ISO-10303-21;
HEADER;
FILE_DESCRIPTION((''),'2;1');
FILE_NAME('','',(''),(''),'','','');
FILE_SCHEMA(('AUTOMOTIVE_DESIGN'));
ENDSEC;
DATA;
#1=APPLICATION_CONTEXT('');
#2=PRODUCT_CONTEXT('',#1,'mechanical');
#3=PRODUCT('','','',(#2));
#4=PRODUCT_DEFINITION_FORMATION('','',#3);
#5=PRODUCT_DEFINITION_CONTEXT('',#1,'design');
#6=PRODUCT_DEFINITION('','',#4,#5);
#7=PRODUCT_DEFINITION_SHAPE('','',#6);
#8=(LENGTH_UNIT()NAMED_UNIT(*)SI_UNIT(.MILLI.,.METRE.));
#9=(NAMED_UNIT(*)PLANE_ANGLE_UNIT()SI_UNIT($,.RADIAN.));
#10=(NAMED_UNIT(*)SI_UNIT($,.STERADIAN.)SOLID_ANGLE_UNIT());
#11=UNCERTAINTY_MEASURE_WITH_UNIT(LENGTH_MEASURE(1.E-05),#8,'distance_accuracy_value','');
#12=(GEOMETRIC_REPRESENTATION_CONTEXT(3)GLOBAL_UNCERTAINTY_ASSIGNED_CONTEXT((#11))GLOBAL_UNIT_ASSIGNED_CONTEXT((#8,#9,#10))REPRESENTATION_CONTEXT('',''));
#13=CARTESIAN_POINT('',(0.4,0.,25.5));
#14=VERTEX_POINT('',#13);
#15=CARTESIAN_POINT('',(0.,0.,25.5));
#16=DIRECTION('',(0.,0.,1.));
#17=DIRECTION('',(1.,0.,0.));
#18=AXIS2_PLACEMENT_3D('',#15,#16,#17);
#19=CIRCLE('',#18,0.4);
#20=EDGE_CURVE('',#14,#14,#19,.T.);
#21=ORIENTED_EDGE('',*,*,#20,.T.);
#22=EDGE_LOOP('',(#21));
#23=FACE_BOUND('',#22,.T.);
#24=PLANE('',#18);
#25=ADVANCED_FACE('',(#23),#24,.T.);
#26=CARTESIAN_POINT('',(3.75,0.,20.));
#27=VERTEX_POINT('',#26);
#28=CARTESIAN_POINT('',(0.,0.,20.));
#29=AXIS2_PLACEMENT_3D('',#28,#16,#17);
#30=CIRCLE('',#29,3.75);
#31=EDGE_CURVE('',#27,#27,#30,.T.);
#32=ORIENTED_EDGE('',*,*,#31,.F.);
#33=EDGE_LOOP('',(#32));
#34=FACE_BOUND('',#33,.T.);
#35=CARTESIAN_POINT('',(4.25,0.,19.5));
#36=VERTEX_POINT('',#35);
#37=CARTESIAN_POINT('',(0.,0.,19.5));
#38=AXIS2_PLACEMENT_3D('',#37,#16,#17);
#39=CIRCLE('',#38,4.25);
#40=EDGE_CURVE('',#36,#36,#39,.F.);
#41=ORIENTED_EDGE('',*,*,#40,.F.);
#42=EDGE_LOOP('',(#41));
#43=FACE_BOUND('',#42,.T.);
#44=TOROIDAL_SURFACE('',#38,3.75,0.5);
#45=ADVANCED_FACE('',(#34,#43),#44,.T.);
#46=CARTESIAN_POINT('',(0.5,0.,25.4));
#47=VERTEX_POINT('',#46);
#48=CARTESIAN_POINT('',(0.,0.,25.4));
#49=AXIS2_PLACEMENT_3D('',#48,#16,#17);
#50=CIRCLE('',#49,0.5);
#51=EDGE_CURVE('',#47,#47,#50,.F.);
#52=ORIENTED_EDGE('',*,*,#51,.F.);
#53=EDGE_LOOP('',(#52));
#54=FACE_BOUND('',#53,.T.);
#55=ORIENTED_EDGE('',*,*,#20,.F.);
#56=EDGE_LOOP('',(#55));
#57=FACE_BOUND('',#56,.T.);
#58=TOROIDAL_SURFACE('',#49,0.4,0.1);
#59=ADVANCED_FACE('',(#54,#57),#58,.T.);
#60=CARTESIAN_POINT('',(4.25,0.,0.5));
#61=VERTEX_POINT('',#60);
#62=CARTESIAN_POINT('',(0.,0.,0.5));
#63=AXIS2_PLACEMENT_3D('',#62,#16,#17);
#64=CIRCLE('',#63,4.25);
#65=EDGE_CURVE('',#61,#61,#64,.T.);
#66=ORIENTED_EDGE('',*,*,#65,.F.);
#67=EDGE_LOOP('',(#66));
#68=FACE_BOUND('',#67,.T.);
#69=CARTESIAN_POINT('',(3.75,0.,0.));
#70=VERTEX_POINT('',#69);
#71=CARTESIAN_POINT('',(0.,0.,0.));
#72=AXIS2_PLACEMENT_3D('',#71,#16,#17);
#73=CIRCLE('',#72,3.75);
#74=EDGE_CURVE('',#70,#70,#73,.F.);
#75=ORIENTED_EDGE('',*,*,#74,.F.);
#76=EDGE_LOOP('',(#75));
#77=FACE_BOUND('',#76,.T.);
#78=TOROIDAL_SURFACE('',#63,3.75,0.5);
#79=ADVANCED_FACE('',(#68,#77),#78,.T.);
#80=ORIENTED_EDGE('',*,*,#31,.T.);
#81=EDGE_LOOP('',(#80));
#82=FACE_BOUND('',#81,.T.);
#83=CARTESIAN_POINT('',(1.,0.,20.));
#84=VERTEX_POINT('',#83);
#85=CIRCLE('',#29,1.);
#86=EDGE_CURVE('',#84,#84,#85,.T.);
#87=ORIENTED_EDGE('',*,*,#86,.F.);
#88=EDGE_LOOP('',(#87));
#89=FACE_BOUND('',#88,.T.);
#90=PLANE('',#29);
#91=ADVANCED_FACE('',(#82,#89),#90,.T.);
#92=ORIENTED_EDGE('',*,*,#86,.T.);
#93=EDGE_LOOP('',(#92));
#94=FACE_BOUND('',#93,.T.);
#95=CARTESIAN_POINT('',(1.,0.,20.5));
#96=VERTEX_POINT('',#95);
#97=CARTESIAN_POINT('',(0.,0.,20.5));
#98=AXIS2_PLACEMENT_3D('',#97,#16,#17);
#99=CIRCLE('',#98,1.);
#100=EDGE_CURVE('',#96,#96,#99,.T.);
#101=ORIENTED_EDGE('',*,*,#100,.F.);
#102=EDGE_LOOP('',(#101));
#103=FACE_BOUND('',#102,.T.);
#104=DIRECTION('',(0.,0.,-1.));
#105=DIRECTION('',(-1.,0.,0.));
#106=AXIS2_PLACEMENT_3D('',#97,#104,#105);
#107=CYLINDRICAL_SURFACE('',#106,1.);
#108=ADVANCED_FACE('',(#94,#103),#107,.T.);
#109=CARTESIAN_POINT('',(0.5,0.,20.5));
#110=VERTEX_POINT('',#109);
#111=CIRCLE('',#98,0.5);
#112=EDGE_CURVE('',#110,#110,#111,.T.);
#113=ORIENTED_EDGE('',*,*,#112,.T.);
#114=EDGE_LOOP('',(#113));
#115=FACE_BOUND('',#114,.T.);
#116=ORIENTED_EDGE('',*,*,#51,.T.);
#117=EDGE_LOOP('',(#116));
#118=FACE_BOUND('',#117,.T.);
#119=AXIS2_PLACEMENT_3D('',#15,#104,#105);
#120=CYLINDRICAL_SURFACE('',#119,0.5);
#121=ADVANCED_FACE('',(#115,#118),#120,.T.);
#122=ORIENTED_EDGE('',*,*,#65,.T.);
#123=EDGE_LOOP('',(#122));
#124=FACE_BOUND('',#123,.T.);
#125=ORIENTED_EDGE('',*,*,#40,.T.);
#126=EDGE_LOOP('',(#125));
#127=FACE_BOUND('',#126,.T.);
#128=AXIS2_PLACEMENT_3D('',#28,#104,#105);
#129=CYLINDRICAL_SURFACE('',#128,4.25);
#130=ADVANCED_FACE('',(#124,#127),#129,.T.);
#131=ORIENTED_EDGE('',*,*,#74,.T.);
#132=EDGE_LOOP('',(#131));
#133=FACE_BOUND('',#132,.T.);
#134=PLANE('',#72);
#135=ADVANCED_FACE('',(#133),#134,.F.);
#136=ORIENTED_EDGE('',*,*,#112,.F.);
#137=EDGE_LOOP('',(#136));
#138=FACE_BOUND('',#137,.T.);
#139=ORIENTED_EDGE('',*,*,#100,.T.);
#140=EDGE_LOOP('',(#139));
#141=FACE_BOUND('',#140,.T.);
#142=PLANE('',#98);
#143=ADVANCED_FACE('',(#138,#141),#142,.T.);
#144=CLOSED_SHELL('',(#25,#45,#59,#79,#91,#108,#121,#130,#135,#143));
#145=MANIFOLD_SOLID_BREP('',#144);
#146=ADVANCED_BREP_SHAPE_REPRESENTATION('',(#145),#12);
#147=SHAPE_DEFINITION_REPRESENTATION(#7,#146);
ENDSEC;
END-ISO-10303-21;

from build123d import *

# Parameters (mm, degrees)
SKETCH1_R           = 4.25
BOSS_EXTRUDE1_DEPTH = 20
SKETCH2_R           = 1
BOSS_EXTRUDE2_DEPTH = 0.5
SKETCH3_R           = 0.5
BOSS_EXTRUDE3_DEPTH = 5
FILLET2_R           = 0.5
FILLET3_R           = 0.1
FILLET4_R           = 0.5


with BuildPart() as part:
    # Sketch1 → Boss-Extrude1 (new body)
    with BuildSketch(Plane.XY):
        Circle(SKETCH1_R)
    extrude(amount=BOSS_EXTRUDE1_DEPTH)

    # Sketch2 → Boss-Extrude2 (add)
    with BuildSketch(Plane.XY.offset(20)):
        Circle(SKETCH2_R)
    extrude(amount=BOSS_EXTRUDE2_DEPTH)

    # Sketch3 → Boss-Extrude3 (add)
    with BuildSketch(Plane.XY.offset(20.5)):
        Circle(SKETCH3_R)
    extrude(amount=BOSS_EXTRUDE3_DEPTH)

    # Fillet2
    fillet2_edges = [part.edges().sort_by_distance(p)[0] for p in [
        (-4.25, 0, 20),
    ]]
    fillet(fillet2_edges, radius=FILLET2_R)

    # Fillet3
    fillet3_edges = [part.edges().sort_by_distance(p)[0] for p in [
        (-0.5, 0, 25.5),
    ]]
    fillet(fillet3_edges, radius=FILLET3_R)

    # Fillet4
    fillet4_edges = [part.edges().sort_by_distance(p)[0] for p in [
        (-4.25, 0, 0),
    ]]
    fillet(fillet4_edges, radius=FILLET4_R)


solid = part.part
